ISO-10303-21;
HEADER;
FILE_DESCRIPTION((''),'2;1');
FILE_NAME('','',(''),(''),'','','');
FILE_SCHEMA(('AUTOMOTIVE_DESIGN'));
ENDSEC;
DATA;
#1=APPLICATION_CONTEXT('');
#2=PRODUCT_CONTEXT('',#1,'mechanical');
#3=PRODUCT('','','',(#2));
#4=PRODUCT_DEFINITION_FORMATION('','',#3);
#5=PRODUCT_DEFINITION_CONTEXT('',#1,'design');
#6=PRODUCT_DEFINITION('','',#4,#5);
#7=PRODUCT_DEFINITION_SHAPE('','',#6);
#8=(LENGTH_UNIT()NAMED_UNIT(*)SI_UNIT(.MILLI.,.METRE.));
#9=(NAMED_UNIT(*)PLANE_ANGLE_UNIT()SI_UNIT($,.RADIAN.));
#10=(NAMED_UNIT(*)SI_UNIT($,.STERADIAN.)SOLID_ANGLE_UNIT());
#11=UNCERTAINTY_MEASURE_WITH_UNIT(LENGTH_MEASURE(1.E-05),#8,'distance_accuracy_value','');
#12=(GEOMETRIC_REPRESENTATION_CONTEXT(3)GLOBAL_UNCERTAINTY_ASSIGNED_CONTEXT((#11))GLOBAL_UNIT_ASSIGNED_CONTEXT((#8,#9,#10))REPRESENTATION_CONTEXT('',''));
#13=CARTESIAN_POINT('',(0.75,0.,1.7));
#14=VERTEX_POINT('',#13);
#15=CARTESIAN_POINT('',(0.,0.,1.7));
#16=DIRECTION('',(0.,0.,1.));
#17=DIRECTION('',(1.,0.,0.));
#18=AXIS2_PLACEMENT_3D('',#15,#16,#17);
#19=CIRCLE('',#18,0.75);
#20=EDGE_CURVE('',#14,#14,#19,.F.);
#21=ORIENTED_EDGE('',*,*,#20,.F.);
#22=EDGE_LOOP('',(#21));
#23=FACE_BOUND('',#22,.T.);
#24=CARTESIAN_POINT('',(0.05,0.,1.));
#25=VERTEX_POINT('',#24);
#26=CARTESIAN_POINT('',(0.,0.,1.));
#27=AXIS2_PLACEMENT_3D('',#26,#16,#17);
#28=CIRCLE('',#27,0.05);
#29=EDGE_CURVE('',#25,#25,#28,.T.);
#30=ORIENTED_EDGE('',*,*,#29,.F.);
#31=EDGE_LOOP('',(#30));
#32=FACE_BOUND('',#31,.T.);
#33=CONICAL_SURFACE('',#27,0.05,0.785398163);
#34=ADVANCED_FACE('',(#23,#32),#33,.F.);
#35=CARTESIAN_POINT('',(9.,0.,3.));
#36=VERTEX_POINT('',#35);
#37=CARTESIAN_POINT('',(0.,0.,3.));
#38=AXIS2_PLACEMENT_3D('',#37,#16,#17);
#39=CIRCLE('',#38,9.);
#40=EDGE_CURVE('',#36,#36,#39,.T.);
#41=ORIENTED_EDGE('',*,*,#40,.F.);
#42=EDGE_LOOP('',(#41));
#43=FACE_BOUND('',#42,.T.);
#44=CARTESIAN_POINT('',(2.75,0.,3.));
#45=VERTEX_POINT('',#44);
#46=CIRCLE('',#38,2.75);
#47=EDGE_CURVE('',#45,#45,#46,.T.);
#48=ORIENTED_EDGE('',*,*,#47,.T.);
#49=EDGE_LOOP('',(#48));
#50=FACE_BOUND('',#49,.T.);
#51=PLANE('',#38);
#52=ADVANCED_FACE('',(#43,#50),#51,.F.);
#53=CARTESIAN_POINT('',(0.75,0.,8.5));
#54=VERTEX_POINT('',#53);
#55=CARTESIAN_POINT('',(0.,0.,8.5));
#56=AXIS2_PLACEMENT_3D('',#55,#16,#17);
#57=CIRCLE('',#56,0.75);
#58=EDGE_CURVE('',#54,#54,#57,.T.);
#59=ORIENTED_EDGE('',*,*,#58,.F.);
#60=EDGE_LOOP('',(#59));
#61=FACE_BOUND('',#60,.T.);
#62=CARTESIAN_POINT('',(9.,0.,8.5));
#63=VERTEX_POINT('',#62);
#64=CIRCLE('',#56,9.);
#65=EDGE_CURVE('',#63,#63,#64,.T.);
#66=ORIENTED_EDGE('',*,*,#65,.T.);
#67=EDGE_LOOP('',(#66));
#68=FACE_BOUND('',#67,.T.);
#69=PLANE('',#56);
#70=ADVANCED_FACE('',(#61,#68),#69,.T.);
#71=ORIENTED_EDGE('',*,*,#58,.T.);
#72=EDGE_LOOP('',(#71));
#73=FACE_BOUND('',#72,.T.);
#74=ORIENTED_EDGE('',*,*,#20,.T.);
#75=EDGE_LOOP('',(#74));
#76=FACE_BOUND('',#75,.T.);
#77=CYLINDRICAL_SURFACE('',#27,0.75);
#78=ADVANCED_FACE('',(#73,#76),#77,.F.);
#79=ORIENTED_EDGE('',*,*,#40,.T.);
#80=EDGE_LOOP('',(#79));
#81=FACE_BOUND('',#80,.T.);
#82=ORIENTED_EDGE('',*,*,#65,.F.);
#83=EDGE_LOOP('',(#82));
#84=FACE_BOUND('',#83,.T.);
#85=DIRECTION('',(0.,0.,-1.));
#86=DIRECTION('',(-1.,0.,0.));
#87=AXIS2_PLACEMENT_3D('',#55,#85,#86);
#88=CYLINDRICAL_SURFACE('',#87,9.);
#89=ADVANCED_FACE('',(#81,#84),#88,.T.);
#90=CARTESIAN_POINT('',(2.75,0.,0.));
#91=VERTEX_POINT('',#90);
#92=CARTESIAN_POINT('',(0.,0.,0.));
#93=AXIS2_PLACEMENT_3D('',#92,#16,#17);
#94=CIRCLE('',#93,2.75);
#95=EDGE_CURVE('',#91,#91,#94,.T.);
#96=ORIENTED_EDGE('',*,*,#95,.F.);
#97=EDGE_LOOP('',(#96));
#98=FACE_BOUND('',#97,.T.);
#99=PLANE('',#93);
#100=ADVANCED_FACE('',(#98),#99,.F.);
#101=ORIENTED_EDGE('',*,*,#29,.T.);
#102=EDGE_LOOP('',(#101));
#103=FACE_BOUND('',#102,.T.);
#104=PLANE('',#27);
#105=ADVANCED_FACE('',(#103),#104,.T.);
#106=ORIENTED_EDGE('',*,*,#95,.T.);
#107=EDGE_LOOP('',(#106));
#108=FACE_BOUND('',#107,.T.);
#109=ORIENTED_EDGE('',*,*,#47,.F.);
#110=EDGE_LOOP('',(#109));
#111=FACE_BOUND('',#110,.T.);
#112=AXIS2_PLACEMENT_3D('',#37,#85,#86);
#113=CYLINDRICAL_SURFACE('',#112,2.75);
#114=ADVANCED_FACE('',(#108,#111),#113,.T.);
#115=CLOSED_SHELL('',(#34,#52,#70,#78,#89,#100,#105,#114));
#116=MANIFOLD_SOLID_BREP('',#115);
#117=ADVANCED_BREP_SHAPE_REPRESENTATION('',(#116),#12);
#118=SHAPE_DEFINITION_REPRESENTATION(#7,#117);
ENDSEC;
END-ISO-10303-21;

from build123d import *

# Parameters (mm, degrees)
SKETCH_1_R          = 2.75
EXTRUDE_1_DEPTH     = 3
SKETCH_2_R          = 9
EXTRUDE_2_DEPTH     = 5.5
SKETCH_3_R          = 0.75
CUT_EXTRUDE_1_DEPTH = 7.5
CHAMFER_1_SIZE      = 0.7


with BuildPart() as part:
    # Эскиз1 → Бобышка-Вытянуть1 (new body)
    with BuildSketch(Plane.XY):
        Circle(SKETCH_1_R)
    extrude(amount=EXTRUDE_1_DEPTH)

    # Эскиз2 → Бобышка-Вытянуть2 (add)
    with BuildSketch(Plane.XY.offset(3)):
        Circle(SKETCH_2_R)
    extrude(amount=EXTRUDE_2_DEPTH)

    # Эскиз3 → Вырез-Вытянуть1 (cut)
    with BuildSketch(Plane.XY.offset(8.5)):
        Circle(SKETCH_3_R)
    extrude(amount=-CUT_EXTRUDE_1_DEPTH, mode=Mode.SUBTRACT)

    # Фаска1
    chamfer_1_edges = [part.edges().sort_by_distance(p)[0] for p in [
        (-0.75, 0, 1),
    ]]
    chamfer(chamfer_1_edges, length=CHAMFER_1_SIZE)


solid = part.part
